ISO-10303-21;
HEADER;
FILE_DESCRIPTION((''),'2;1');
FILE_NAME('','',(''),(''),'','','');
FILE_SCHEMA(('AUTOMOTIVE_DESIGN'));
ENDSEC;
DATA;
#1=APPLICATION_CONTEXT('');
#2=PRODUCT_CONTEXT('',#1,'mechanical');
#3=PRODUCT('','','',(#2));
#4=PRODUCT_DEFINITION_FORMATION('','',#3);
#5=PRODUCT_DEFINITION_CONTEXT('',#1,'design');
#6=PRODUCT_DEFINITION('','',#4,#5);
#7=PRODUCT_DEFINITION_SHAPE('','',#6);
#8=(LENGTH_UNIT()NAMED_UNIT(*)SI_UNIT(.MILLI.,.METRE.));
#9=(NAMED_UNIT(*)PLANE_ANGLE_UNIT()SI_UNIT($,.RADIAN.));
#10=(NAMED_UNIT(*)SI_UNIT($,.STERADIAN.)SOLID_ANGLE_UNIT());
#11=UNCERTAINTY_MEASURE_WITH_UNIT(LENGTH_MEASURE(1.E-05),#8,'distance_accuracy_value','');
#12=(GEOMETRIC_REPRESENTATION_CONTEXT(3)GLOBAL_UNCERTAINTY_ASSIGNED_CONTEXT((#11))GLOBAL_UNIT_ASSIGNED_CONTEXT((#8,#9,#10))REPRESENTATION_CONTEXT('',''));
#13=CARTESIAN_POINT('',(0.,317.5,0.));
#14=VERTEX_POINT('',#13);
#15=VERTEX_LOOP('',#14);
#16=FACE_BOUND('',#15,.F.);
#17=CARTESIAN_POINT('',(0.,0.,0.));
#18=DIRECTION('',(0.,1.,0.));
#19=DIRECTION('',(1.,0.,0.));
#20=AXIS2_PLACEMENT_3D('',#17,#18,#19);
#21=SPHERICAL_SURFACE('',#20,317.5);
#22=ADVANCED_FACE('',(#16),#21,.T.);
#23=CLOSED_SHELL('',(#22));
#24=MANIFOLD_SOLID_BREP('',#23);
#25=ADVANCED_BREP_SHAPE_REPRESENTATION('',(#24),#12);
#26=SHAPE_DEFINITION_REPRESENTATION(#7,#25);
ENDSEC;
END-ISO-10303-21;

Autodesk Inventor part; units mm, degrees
ref_plane "YZ Plane" through (0, 0, 0) normal (1, 0, 0) x (0, 1, 0)
ref_plane "XZ Plane" through (0, 0, 0) normal (0, 1, 0) x (-1, 0, 0)
ref_plane "XY Plane" through (0, 0, 0) normal (0, 0, 1) x (1, 0, 0)
sketch "Sketch1" plane through (0, 0, 0) normal (0, 0, 1) x (1, 0, 0)
  arc A0 (0, -317.5) -> (0, 317.5) centre (0, 0) ccw
  line L0 (0, 317.5) -> (0, -317.5)
  dimension "d0" = 635
revolve "Revolution1" add sketch "Sketch1" angle 360 about axis through (0, 317.5, 0) along (0, -1, 0)
properties part number "Blue Game Ball"
